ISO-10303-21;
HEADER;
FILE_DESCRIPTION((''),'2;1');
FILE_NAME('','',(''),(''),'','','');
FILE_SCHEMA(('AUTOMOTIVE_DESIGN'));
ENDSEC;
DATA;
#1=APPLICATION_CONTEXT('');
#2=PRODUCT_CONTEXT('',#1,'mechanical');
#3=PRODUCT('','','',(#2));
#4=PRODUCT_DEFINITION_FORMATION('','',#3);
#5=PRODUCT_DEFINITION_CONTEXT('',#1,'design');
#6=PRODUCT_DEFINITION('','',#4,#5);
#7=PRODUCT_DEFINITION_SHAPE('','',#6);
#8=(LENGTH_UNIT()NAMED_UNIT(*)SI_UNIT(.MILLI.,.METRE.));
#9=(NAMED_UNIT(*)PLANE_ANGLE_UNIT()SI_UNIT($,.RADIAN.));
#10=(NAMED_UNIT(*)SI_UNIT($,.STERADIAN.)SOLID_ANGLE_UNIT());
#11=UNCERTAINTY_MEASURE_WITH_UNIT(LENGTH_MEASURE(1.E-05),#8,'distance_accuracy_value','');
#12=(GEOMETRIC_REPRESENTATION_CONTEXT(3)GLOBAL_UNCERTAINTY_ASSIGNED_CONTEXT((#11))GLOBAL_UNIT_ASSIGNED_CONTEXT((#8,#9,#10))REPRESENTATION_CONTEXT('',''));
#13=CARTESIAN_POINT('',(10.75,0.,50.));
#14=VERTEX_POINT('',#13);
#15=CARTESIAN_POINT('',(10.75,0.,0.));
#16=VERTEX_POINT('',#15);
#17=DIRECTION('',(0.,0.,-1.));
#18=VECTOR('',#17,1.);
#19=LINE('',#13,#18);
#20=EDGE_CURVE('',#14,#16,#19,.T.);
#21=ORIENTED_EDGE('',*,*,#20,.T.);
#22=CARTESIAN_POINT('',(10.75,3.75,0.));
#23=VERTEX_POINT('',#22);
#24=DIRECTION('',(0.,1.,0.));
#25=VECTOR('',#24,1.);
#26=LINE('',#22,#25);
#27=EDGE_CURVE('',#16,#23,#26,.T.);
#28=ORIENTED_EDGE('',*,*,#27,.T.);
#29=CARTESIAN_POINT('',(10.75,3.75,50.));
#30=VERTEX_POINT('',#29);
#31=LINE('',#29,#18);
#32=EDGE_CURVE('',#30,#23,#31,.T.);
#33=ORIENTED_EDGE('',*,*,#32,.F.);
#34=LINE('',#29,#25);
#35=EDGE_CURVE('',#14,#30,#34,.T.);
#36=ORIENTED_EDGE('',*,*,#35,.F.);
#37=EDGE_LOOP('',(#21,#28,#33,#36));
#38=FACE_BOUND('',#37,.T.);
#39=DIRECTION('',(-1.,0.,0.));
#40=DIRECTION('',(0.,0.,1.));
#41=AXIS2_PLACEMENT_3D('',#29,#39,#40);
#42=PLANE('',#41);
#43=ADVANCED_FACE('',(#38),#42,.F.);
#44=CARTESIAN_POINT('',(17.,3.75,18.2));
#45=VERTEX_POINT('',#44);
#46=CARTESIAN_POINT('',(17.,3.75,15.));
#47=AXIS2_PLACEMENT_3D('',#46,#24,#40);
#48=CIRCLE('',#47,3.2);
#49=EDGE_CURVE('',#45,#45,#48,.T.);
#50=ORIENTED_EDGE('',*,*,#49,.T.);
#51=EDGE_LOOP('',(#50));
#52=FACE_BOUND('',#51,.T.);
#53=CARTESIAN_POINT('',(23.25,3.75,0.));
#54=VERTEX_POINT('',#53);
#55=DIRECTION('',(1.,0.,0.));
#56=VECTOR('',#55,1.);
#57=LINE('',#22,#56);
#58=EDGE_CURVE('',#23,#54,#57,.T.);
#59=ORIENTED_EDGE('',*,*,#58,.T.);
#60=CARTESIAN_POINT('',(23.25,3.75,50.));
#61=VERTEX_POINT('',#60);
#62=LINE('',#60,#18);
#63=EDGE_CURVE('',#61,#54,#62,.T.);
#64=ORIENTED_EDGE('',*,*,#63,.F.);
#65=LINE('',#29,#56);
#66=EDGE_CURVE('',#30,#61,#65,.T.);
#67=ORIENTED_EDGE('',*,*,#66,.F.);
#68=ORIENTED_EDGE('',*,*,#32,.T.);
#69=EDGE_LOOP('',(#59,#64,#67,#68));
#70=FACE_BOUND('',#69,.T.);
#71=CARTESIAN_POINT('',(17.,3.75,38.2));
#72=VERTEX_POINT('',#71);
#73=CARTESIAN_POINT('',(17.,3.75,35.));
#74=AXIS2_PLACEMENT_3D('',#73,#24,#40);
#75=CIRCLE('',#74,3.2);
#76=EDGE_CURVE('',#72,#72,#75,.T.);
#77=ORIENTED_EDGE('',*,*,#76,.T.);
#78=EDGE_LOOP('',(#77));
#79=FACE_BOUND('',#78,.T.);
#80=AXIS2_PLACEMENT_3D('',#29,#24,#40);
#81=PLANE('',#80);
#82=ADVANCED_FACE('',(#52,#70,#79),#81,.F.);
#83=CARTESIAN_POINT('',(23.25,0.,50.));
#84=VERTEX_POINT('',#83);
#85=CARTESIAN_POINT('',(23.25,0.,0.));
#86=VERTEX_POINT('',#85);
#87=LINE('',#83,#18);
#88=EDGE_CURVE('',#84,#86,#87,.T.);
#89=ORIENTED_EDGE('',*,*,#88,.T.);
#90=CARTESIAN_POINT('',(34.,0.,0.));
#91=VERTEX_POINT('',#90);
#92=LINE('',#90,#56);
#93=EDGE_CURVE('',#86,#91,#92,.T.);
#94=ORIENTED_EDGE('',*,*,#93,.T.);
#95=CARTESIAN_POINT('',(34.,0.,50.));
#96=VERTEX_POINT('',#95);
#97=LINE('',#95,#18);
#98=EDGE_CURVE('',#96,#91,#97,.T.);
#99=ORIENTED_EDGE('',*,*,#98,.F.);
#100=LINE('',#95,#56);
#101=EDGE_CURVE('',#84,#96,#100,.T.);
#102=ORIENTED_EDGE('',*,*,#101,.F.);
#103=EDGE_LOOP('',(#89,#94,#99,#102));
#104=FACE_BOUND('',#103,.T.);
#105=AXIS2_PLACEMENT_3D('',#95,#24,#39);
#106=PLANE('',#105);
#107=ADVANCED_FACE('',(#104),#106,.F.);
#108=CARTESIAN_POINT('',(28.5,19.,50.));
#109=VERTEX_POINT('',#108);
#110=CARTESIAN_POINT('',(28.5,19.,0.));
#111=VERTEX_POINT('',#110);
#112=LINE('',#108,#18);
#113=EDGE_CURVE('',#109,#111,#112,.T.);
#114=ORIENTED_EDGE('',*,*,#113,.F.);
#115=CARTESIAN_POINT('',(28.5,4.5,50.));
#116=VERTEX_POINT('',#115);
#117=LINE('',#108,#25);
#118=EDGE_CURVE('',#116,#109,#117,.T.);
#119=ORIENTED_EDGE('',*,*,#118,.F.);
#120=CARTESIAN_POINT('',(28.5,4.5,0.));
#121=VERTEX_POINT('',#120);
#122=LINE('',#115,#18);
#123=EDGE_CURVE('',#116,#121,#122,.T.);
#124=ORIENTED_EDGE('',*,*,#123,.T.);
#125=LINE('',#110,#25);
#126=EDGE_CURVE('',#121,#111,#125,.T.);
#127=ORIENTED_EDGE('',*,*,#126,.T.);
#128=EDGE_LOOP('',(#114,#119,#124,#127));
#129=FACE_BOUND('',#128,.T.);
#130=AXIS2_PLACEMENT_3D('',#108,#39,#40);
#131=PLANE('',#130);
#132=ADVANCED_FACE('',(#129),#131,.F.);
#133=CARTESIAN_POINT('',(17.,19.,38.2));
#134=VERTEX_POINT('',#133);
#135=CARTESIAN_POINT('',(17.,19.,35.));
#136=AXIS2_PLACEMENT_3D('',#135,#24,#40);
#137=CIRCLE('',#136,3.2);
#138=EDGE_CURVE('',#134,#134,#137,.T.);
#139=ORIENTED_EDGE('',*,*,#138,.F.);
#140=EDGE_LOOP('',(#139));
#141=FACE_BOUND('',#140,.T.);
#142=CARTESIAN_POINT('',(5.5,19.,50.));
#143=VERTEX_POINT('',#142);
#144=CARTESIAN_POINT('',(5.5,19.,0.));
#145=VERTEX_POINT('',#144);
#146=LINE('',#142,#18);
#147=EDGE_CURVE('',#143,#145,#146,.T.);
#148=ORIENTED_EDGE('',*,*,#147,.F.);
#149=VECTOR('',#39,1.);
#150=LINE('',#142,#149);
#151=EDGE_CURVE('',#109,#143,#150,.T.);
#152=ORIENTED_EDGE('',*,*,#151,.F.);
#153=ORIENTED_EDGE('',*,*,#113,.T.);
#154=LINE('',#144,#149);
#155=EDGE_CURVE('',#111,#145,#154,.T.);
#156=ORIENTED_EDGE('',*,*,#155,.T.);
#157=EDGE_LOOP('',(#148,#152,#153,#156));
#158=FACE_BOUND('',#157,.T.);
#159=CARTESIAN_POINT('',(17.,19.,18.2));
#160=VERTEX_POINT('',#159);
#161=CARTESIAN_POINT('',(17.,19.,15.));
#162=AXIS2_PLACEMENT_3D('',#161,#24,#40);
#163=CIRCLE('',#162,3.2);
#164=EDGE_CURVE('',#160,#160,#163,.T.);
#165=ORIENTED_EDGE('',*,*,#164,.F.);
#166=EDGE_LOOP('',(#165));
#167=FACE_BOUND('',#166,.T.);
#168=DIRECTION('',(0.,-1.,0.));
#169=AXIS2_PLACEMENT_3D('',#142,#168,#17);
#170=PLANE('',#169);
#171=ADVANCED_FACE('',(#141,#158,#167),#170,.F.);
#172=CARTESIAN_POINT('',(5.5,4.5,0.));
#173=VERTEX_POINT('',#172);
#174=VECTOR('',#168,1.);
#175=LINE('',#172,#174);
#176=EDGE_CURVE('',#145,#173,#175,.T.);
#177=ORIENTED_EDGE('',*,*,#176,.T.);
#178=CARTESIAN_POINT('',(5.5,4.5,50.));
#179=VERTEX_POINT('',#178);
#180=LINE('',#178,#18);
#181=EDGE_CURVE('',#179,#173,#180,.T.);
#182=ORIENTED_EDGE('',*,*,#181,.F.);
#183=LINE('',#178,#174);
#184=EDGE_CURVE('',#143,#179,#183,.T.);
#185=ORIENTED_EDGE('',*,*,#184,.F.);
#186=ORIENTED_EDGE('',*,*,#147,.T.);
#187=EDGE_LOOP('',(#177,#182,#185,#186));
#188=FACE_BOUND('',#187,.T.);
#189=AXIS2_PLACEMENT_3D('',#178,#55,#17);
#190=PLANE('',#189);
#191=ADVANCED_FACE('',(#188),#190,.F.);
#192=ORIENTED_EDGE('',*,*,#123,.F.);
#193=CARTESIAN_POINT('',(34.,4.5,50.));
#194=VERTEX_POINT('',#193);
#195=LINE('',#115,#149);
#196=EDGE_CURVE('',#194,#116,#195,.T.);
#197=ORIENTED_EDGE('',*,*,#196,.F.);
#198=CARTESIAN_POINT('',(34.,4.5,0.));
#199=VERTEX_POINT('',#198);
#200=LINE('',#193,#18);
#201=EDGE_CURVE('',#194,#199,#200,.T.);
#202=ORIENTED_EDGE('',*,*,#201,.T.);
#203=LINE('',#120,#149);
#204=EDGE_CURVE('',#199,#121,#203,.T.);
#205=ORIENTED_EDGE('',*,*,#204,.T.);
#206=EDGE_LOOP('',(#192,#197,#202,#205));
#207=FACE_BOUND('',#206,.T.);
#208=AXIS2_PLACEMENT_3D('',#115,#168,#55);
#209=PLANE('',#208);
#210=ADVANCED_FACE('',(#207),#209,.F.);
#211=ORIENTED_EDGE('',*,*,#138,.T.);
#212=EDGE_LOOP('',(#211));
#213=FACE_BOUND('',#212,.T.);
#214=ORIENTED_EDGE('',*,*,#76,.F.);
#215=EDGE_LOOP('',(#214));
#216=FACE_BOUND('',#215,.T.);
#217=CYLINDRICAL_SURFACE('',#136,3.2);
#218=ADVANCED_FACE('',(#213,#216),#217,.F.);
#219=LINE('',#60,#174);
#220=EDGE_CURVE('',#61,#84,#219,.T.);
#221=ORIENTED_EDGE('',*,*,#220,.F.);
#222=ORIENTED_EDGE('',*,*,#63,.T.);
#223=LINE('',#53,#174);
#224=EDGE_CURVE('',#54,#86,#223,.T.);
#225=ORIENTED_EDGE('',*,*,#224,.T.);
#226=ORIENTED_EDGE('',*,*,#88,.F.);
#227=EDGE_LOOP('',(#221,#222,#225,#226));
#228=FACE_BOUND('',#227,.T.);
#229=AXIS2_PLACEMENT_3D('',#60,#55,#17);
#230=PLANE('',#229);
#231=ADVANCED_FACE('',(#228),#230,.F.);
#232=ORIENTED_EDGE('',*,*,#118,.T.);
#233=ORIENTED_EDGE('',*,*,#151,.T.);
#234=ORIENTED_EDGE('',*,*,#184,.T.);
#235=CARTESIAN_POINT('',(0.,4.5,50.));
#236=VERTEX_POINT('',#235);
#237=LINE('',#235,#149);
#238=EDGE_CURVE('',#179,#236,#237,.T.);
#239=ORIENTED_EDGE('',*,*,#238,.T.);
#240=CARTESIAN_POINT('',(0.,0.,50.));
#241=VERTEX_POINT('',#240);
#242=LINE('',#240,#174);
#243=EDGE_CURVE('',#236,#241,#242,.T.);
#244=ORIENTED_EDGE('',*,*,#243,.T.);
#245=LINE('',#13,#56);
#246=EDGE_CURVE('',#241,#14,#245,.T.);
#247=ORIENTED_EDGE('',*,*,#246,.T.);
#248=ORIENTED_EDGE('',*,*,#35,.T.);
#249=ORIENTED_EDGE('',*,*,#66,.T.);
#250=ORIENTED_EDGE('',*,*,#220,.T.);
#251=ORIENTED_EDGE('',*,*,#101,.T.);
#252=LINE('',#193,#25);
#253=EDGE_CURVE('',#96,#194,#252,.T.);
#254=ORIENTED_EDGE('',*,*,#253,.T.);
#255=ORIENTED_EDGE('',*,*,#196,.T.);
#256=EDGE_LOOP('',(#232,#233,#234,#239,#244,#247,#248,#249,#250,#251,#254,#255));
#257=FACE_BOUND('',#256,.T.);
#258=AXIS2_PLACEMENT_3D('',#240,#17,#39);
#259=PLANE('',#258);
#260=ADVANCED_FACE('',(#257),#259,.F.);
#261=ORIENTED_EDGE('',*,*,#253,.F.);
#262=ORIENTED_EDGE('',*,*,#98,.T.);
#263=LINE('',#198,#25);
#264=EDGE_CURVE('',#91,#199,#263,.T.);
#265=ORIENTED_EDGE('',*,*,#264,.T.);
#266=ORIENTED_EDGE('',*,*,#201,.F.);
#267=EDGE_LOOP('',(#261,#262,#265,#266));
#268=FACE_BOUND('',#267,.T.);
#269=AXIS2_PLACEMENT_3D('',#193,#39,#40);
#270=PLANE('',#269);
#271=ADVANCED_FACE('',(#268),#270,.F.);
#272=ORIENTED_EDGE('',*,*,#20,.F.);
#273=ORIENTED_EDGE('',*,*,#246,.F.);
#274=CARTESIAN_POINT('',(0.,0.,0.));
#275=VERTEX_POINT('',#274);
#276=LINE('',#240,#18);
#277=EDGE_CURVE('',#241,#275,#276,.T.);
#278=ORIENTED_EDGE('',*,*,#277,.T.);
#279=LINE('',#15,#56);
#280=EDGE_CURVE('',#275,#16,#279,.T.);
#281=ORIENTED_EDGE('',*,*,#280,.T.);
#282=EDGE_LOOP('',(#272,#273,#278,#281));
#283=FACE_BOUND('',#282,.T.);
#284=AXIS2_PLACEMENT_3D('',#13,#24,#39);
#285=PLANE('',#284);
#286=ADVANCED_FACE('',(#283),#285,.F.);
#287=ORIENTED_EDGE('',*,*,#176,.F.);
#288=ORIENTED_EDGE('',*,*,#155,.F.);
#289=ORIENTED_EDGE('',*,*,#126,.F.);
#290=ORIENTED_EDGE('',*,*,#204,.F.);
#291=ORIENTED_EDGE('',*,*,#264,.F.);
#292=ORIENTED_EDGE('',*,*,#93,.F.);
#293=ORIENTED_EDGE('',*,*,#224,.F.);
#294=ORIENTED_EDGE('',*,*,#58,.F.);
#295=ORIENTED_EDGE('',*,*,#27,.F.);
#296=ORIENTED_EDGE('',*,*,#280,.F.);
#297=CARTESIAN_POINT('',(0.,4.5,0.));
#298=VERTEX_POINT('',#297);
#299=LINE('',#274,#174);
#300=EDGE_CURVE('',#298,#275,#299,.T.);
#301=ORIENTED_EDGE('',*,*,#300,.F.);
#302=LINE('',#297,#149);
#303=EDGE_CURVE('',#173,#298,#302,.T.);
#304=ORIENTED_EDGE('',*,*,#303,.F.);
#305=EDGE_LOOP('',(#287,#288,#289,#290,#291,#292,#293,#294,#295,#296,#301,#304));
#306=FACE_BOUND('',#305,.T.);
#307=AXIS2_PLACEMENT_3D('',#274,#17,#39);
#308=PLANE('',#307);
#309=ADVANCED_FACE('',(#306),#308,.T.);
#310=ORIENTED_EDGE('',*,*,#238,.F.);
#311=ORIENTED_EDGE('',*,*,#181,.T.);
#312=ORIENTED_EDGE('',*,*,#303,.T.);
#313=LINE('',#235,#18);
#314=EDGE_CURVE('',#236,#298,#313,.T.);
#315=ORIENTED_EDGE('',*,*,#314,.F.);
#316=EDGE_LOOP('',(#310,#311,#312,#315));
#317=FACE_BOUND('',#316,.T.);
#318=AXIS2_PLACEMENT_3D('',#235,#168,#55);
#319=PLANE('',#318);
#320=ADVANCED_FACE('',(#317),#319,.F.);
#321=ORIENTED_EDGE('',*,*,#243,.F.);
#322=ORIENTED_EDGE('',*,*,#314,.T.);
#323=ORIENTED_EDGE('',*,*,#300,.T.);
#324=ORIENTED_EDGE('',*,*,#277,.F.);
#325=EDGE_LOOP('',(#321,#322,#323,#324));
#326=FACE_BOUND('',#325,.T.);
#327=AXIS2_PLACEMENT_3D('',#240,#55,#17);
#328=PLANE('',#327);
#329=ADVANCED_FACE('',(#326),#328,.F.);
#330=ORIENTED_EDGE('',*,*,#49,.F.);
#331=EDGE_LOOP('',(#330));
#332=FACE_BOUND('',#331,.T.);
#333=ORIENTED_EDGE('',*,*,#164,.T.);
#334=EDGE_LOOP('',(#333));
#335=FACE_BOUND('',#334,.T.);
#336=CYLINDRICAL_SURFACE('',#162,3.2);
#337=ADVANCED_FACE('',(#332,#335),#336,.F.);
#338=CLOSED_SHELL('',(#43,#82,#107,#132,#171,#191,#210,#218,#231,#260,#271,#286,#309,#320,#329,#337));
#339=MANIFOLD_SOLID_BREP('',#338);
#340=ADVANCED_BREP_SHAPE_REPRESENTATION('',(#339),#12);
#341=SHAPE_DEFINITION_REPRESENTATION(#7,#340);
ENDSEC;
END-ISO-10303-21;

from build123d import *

# Parameters (mm, degrees)
BOSS_EXTRUDE1_DEPTH  = 50
M6_CLEARANCE_HOLE1_D = 6.4


with BuildPart() as part:
    # Sketch1 → Boss-Extrude1 (new body)
    with BuildSketch(Plane.XY):
        Polygon((0, 0), (0, 4.5), (5.5, 4.5), (5.5, 19), (28.5, 19), (28.5, 4.5), (34, 4.5), (34, 0), (23.25, 0), (23.25, 3.75), (10.75, 3.75), (10.75, 0), align=None)
    extrude(amount=BOSS_EXTRUDE1_DEPTH)

    # M6 Clearance Hole1 (through all)
    with Locations(Plane(origin=(17, 19, 15), x_dir=(0, 0, 1), z_dir=(0, 1, 0))):
        with Locations((0, 0), (20, 0)):
            Hole(M6_CLEARANCE_HOLE1_D / 2)


solid = part.part
